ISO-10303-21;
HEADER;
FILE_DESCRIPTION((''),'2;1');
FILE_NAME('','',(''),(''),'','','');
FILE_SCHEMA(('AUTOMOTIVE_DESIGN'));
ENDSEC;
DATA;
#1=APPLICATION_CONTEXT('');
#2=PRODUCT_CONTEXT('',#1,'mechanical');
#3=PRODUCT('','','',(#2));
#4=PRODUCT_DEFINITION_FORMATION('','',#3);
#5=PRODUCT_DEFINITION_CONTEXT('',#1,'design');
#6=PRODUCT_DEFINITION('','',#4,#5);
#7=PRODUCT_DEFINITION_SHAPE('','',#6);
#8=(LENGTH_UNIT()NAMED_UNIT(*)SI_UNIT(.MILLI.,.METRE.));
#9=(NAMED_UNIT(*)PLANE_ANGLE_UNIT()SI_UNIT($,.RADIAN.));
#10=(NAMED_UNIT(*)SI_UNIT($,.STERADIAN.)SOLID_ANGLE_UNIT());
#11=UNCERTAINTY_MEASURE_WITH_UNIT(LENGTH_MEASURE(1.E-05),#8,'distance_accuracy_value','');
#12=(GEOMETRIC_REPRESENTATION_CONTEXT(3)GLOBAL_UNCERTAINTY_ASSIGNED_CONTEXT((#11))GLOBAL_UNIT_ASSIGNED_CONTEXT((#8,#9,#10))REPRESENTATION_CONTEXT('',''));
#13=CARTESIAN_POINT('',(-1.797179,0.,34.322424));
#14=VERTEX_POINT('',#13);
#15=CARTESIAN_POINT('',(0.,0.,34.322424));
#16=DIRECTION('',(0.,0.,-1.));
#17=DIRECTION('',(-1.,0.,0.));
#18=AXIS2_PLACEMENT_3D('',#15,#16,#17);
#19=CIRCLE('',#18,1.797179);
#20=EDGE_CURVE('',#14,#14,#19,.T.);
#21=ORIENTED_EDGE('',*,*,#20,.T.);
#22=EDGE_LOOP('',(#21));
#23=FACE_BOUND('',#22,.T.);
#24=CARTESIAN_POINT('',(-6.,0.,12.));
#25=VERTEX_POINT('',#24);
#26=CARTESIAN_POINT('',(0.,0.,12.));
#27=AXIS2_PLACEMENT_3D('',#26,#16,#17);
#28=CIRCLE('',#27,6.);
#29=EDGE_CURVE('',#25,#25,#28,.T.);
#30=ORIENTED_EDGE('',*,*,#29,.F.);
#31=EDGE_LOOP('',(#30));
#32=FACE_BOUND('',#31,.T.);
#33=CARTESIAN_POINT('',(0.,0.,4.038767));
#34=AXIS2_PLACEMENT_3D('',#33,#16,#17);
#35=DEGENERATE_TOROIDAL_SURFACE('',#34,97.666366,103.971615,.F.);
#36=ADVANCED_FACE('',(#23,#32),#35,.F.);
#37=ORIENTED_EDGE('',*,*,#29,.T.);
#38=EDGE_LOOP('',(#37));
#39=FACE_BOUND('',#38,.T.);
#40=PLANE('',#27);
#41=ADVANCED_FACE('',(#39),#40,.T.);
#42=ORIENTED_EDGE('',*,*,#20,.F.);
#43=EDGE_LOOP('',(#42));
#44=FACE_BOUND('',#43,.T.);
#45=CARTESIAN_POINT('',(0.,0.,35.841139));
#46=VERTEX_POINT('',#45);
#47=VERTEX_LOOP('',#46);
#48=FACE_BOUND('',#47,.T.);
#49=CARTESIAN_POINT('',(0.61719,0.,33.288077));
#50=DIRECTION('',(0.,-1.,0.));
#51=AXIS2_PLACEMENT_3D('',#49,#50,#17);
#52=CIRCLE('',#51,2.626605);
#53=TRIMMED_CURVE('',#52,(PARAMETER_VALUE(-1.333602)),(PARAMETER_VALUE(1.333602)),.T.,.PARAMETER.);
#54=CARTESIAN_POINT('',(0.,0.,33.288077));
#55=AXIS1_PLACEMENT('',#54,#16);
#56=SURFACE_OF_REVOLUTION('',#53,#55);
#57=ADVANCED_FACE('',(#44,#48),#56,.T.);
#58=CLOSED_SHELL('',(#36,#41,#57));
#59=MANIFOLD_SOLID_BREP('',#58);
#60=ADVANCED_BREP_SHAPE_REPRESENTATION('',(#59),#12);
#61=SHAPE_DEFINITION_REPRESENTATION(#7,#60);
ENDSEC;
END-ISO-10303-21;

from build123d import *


with BuildPart() as part:
    # Sketch2 → Revolve1 (revolve)
    with BuildSketch(Plane(origin=(0, 0, 0), x_dir=(0, 0, -1), z_dir=(1, 0, 0))):
        with BuildLine():
            Line((-12, 0), (-35.841139357, 0))
            ThreePointArc((-35.841139357, 0), (-35.294277123, 1.078160146), (-34.322423622, 1.797179182))
            ThreePointArc((-34.322423622, 1.797179182), (-23.276329769, 4.510015091), (-12, 6))
            Line((-12, 6), (-12, 0))
        make_face()
    revolve(axis=Axis((0, 0, 12), (0, 0, 1)))


solid = part.part
